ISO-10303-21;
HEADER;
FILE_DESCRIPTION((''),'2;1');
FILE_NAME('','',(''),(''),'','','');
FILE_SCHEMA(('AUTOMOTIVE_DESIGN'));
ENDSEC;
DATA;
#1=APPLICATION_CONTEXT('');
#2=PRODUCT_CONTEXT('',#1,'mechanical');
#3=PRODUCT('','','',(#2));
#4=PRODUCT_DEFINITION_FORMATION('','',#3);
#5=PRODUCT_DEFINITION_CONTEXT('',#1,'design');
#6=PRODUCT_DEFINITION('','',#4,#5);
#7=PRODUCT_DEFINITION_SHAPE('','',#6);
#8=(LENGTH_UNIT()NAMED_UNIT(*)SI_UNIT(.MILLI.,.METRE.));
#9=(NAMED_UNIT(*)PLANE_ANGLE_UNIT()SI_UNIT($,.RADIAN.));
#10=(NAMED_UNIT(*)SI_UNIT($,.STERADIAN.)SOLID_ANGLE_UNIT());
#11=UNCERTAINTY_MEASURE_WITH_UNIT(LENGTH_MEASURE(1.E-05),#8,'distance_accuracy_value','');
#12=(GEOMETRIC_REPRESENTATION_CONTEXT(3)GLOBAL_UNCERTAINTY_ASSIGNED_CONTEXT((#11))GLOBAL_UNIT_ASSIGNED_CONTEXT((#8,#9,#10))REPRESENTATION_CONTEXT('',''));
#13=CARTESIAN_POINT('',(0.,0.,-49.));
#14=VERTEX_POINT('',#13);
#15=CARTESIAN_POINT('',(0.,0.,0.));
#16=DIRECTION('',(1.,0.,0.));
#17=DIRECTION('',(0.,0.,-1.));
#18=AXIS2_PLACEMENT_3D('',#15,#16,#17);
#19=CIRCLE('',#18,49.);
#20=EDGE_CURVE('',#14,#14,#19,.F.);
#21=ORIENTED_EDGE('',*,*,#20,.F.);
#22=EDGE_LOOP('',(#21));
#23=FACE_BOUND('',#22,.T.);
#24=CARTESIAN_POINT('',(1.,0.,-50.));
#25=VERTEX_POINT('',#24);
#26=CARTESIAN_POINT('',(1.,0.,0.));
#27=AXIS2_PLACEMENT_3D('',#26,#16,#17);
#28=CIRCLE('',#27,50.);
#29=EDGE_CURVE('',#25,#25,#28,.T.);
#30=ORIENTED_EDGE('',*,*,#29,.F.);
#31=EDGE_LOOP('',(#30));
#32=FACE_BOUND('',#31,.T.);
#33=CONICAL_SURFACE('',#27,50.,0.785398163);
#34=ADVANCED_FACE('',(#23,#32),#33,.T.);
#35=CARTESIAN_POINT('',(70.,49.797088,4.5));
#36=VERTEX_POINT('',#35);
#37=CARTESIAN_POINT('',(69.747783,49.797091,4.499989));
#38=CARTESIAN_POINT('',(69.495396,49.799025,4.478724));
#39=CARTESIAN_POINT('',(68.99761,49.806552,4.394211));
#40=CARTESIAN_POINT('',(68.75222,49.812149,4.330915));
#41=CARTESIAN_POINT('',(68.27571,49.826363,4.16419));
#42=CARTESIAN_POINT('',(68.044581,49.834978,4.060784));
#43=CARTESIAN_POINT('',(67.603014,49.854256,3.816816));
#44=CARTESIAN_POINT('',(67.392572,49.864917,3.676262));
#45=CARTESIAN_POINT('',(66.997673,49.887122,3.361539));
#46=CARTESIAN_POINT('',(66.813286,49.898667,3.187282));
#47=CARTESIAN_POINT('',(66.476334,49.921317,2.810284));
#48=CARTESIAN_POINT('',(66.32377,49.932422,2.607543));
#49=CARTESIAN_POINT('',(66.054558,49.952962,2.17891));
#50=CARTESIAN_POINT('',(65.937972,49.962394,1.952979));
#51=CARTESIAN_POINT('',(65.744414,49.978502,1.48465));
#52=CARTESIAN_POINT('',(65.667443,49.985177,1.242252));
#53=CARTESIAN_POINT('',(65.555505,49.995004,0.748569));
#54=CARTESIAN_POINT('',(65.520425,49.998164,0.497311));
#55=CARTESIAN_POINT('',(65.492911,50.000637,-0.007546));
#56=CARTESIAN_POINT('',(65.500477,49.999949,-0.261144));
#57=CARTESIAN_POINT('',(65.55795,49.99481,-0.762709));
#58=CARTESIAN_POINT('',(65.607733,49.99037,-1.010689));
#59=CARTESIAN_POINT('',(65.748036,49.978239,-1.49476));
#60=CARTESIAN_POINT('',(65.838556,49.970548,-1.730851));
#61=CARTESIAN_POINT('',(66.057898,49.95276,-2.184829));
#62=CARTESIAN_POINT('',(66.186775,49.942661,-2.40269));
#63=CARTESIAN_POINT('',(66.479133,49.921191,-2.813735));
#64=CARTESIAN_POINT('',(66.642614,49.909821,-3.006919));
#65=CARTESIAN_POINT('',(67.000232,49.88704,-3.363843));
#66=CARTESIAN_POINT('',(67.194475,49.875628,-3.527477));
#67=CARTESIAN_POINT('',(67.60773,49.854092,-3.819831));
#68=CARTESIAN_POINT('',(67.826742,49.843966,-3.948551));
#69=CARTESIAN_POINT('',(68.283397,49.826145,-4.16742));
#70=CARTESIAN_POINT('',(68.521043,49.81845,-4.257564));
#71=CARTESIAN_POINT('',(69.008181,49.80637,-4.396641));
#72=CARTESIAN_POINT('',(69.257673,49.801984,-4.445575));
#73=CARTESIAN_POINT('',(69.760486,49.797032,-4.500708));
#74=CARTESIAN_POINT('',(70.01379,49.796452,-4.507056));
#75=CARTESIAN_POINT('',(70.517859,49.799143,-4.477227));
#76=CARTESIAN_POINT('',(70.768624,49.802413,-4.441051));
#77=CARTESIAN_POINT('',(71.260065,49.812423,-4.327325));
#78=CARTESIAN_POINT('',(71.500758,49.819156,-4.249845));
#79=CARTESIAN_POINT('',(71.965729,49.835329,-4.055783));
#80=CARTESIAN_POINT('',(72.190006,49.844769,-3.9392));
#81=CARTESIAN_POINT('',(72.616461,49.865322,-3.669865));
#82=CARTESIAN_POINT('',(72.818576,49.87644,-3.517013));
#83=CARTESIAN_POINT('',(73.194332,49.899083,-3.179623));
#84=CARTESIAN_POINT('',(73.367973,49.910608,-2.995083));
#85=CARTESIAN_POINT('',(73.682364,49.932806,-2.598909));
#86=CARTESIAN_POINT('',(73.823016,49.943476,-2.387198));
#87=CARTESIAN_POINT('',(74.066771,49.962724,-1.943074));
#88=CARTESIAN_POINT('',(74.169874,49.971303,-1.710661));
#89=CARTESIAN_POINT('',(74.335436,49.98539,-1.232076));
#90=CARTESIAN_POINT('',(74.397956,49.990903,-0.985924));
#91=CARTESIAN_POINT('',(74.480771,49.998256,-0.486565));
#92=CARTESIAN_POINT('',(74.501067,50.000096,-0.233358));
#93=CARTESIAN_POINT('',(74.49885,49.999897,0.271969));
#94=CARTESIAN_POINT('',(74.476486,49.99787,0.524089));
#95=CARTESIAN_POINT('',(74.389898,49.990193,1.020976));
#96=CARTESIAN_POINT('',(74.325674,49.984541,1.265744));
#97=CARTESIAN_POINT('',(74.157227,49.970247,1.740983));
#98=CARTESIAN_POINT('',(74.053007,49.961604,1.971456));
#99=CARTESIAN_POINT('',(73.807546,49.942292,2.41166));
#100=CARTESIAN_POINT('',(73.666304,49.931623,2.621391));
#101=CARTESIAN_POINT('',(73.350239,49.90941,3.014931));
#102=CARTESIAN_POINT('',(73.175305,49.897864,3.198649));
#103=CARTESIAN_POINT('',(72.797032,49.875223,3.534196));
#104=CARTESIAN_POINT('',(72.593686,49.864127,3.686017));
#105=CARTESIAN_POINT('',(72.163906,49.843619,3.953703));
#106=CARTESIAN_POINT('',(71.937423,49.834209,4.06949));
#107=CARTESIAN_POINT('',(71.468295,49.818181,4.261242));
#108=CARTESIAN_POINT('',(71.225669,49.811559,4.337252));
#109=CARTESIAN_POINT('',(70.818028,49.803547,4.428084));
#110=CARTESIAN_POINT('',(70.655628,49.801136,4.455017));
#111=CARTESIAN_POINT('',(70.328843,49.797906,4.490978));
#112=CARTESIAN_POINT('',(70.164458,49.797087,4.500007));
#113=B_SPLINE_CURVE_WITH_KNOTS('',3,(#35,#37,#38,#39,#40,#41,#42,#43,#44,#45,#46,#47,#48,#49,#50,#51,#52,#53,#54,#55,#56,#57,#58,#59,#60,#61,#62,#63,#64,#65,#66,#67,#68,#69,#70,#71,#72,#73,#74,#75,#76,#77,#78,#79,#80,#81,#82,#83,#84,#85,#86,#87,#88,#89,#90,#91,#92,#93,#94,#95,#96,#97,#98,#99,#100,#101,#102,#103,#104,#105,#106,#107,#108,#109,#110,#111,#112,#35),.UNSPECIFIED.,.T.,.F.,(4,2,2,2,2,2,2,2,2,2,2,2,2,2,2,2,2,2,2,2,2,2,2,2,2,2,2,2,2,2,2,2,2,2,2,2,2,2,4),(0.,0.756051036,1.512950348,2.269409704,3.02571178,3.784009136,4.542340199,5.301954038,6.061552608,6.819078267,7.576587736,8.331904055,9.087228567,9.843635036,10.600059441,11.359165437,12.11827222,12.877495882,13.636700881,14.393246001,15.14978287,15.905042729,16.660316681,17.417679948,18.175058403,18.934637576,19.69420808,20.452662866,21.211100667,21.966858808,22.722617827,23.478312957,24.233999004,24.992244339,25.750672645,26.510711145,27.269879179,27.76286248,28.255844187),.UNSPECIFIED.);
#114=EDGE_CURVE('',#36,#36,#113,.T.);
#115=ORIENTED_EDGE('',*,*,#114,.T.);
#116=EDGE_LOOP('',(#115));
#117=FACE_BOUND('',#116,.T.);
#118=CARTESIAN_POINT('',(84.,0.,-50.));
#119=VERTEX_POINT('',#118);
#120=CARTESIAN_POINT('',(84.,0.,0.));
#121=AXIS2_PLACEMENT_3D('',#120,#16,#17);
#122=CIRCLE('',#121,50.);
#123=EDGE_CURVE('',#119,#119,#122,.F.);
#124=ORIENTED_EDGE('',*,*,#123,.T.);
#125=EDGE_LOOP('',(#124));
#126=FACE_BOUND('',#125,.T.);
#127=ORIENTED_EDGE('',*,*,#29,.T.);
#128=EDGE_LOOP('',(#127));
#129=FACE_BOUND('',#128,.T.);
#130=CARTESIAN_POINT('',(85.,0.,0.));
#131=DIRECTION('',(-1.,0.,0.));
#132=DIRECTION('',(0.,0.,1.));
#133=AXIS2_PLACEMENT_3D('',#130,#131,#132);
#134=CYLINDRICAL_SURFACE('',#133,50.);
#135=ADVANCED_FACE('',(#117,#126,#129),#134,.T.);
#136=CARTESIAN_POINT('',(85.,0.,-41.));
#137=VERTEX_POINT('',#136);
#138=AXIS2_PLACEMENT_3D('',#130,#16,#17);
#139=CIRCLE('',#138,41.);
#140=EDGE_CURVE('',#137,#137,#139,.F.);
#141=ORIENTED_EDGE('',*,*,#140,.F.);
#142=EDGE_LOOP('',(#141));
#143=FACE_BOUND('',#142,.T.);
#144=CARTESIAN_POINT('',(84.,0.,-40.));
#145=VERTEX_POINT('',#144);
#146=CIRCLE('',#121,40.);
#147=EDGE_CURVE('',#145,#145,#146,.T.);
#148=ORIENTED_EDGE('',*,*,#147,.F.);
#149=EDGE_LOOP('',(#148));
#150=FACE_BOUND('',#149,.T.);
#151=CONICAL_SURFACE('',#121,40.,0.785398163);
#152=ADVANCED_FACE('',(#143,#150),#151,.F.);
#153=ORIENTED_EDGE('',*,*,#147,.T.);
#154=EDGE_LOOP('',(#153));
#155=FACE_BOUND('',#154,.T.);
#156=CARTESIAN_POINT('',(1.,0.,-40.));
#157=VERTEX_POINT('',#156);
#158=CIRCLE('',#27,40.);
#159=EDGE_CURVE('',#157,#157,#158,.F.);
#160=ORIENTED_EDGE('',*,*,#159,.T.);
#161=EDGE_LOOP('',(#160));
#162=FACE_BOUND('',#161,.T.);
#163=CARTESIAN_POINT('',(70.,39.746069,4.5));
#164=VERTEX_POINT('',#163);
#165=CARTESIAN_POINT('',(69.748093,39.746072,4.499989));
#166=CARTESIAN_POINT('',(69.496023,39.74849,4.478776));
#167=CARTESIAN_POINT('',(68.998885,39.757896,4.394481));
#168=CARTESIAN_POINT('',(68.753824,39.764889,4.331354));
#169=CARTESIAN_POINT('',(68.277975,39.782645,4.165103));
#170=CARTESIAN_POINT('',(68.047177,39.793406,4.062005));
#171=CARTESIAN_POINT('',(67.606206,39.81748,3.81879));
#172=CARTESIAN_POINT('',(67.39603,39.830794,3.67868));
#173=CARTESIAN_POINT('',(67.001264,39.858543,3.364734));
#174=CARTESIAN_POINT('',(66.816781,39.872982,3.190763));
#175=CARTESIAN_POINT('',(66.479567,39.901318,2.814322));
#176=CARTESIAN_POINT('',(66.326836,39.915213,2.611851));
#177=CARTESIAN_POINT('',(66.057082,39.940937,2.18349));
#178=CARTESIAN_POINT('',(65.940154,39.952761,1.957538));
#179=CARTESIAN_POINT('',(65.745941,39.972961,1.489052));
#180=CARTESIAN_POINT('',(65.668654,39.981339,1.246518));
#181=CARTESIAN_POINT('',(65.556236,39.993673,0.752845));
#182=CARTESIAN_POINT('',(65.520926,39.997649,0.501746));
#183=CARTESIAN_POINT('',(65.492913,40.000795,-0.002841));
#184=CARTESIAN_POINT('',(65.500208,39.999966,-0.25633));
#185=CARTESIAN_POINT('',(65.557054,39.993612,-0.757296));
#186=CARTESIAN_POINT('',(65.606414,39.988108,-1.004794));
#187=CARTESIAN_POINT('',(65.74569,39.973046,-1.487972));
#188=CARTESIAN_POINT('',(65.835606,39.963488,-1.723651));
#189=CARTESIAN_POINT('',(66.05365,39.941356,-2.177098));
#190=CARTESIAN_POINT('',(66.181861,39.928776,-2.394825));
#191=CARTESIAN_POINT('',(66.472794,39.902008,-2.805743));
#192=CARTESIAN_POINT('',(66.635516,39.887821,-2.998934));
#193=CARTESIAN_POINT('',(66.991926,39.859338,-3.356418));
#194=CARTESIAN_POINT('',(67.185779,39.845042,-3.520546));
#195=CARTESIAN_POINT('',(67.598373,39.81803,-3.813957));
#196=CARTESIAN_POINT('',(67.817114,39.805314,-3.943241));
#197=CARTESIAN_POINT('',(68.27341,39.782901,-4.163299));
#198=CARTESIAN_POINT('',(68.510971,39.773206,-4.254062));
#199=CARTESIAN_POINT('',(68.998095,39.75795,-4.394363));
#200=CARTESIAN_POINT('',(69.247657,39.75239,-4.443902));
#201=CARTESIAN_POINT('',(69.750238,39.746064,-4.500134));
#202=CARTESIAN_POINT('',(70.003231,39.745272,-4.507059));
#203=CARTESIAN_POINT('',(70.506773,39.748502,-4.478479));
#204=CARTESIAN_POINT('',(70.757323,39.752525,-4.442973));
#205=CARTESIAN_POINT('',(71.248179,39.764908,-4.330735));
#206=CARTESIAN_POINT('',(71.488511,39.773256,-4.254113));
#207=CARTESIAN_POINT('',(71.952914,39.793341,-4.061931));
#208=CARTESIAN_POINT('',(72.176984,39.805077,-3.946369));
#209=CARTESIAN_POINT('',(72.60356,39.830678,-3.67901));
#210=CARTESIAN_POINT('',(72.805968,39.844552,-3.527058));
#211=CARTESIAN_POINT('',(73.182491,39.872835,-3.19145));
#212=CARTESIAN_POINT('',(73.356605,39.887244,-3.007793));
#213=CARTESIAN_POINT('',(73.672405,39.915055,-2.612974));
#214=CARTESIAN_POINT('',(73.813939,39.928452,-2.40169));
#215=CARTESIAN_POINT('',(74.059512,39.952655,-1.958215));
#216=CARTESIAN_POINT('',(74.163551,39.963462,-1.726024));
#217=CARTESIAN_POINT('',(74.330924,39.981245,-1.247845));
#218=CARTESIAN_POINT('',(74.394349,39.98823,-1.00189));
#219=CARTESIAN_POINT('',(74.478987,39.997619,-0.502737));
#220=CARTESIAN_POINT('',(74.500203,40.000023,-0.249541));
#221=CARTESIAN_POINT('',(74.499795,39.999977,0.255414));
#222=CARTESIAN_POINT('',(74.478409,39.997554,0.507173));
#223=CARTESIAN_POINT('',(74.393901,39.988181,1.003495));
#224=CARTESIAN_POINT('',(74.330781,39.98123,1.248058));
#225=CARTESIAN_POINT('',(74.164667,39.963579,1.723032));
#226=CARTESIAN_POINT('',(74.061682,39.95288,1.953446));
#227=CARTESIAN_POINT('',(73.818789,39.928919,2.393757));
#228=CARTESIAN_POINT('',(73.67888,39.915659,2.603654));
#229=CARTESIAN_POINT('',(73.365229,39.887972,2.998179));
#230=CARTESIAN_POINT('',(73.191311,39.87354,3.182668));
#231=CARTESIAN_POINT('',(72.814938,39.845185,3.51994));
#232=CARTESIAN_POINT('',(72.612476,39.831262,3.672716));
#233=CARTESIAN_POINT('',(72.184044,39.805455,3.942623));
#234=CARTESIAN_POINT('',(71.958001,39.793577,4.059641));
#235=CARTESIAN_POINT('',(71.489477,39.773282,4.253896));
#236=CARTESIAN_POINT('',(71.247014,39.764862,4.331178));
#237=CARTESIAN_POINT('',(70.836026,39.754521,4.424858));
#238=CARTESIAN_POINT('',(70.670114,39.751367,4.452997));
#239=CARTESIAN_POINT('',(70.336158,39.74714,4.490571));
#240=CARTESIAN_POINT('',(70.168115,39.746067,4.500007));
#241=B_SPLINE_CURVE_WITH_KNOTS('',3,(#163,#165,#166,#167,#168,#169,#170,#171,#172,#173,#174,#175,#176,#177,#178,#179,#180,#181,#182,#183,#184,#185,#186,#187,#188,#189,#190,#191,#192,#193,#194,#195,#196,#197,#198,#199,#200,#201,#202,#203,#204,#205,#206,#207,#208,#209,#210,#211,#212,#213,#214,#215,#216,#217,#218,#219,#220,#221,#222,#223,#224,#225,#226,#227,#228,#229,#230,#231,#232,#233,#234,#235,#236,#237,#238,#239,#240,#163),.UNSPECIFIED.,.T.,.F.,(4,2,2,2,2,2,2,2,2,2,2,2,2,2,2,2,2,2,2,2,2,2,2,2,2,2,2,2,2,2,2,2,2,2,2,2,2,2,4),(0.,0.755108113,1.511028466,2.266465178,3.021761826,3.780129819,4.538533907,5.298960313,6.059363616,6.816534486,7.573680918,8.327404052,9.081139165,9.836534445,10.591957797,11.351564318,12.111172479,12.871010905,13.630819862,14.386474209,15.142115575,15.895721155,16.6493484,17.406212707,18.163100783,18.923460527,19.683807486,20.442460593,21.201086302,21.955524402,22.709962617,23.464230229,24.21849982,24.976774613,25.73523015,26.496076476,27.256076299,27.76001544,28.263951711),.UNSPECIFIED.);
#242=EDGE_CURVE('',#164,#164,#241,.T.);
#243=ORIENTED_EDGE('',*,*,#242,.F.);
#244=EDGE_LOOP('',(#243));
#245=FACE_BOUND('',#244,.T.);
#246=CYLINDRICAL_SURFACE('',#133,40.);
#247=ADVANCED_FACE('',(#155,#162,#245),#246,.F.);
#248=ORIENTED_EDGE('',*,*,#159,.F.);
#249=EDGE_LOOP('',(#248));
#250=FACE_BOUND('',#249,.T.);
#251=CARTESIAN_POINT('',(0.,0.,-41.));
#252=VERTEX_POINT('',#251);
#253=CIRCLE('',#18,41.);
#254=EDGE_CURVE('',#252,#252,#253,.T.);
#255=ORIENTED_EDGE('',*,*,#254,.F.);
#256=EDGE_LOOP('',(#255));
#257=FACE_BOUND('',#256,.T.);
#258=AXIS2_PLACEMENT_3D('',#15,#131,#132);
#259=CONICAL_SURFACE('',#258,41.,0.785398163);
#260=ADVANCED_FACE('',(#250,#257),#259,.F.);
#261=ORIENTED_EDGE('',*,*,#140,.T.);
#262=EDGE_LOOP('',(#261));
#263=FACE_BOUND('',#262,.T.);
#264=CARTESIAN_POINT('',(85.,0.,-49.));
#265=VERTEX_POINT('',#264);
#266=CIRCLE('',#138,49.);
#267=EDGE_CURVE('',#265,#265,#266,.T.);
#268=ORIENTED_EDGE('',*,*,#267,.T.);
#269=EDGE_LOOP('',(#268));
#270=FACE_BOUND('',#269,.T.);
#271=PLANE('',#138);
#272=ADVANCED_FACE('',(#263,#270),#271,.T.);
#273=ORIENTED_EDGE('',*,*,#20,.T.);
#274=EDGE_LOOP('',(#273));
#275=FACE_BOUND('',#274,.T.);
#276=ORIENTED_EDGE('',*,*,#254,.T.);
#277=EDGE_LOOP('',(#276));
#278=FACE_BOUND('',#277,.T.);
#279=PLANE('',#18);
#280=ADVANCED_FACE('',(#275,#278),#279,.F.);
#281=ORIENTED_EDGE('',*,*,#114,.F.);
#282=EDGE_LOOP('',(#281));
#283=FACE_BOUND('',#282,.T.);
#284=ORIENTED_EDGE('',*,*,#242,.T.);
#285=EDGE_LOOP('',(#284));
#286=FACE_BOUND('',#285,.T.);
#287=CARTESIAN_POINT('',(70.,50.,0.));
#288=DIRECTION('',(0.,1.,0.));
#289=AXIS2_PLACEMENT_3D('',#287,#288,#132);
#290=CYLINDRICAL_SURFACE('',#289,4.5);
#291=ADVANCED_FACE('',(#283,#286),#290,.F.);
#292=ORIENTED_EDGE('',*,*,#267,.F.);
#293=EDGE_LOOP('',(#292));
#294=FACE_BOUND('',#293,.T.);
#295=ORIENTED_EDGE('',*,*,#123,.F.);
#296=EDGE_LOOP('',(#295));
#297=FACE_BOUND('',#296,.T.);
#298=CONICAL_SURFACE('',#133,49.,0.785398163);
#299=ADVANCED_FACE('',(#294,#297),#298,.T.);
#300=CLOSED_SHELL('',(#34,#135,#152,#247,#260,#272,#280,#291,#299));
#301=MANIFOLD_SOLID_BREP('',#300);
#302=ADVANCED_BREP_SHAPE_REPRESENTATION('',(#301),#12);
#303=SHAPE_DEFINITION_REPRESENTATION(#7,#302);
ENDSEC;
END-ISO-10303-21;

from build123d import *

# Parameters (mm, degrees)
SKETCH_1_R      = 50
SKETCH_1_R_2    = 40
EXTRUDE_1_DEPTH = 85
CHAMFER_1_SIZE  = 1
M10X1_0_1_D     = 9
M10X1_0_1_DEPTH = 25
M10X1_0_1_TIP   = 2.703872786


with BuildPart() as part:
    # 草图1 → 凸台-拉伸1 (new body)
    with BuildSketch(Plane(origin=(0, 0, 0), x_dir=(0, 0, -1), z_dir=(1, 0, 0))):
        Circle(SKETCH_1_R)
        Circle(SKETCH_1_R_2, mode=Mode.SUBTRACT)
    extrude(amount=EXTRUDE_1_DEPTH)

    # 倒角1
    chamfer_1_edges = [part.edges().sort_by_distance(p)[0] for p in [
        (0, 0, 50),
        (85, 0, 50),
        (0, 0, 40),
        (85, 0, 40),
    ]]
    chamfer(chamfer_1_edges, length=CHAMFER_1_SIZE)

    # M10x1.0 螺纹孔1
    with Locations(Plane(origin=(0, 50, 0), x_dir=(1, 0, 0), z_dir=(0, 1, 0))):
        with Locations((70, 0)):
            Hole(M10X1_0_1_D / 2, depth=M10X1_0_1_DEPTH)
            with Locations((0, 0, -(M10X1_0_1_DEPTH + M10X1_0_1_TIP / 2))):  # 118° drill point
                Cone(0, M10X1_0_1_D / 2, M10X1_0_1_TIP, mode=Mode.SUBTRACT)


solid = part.part
